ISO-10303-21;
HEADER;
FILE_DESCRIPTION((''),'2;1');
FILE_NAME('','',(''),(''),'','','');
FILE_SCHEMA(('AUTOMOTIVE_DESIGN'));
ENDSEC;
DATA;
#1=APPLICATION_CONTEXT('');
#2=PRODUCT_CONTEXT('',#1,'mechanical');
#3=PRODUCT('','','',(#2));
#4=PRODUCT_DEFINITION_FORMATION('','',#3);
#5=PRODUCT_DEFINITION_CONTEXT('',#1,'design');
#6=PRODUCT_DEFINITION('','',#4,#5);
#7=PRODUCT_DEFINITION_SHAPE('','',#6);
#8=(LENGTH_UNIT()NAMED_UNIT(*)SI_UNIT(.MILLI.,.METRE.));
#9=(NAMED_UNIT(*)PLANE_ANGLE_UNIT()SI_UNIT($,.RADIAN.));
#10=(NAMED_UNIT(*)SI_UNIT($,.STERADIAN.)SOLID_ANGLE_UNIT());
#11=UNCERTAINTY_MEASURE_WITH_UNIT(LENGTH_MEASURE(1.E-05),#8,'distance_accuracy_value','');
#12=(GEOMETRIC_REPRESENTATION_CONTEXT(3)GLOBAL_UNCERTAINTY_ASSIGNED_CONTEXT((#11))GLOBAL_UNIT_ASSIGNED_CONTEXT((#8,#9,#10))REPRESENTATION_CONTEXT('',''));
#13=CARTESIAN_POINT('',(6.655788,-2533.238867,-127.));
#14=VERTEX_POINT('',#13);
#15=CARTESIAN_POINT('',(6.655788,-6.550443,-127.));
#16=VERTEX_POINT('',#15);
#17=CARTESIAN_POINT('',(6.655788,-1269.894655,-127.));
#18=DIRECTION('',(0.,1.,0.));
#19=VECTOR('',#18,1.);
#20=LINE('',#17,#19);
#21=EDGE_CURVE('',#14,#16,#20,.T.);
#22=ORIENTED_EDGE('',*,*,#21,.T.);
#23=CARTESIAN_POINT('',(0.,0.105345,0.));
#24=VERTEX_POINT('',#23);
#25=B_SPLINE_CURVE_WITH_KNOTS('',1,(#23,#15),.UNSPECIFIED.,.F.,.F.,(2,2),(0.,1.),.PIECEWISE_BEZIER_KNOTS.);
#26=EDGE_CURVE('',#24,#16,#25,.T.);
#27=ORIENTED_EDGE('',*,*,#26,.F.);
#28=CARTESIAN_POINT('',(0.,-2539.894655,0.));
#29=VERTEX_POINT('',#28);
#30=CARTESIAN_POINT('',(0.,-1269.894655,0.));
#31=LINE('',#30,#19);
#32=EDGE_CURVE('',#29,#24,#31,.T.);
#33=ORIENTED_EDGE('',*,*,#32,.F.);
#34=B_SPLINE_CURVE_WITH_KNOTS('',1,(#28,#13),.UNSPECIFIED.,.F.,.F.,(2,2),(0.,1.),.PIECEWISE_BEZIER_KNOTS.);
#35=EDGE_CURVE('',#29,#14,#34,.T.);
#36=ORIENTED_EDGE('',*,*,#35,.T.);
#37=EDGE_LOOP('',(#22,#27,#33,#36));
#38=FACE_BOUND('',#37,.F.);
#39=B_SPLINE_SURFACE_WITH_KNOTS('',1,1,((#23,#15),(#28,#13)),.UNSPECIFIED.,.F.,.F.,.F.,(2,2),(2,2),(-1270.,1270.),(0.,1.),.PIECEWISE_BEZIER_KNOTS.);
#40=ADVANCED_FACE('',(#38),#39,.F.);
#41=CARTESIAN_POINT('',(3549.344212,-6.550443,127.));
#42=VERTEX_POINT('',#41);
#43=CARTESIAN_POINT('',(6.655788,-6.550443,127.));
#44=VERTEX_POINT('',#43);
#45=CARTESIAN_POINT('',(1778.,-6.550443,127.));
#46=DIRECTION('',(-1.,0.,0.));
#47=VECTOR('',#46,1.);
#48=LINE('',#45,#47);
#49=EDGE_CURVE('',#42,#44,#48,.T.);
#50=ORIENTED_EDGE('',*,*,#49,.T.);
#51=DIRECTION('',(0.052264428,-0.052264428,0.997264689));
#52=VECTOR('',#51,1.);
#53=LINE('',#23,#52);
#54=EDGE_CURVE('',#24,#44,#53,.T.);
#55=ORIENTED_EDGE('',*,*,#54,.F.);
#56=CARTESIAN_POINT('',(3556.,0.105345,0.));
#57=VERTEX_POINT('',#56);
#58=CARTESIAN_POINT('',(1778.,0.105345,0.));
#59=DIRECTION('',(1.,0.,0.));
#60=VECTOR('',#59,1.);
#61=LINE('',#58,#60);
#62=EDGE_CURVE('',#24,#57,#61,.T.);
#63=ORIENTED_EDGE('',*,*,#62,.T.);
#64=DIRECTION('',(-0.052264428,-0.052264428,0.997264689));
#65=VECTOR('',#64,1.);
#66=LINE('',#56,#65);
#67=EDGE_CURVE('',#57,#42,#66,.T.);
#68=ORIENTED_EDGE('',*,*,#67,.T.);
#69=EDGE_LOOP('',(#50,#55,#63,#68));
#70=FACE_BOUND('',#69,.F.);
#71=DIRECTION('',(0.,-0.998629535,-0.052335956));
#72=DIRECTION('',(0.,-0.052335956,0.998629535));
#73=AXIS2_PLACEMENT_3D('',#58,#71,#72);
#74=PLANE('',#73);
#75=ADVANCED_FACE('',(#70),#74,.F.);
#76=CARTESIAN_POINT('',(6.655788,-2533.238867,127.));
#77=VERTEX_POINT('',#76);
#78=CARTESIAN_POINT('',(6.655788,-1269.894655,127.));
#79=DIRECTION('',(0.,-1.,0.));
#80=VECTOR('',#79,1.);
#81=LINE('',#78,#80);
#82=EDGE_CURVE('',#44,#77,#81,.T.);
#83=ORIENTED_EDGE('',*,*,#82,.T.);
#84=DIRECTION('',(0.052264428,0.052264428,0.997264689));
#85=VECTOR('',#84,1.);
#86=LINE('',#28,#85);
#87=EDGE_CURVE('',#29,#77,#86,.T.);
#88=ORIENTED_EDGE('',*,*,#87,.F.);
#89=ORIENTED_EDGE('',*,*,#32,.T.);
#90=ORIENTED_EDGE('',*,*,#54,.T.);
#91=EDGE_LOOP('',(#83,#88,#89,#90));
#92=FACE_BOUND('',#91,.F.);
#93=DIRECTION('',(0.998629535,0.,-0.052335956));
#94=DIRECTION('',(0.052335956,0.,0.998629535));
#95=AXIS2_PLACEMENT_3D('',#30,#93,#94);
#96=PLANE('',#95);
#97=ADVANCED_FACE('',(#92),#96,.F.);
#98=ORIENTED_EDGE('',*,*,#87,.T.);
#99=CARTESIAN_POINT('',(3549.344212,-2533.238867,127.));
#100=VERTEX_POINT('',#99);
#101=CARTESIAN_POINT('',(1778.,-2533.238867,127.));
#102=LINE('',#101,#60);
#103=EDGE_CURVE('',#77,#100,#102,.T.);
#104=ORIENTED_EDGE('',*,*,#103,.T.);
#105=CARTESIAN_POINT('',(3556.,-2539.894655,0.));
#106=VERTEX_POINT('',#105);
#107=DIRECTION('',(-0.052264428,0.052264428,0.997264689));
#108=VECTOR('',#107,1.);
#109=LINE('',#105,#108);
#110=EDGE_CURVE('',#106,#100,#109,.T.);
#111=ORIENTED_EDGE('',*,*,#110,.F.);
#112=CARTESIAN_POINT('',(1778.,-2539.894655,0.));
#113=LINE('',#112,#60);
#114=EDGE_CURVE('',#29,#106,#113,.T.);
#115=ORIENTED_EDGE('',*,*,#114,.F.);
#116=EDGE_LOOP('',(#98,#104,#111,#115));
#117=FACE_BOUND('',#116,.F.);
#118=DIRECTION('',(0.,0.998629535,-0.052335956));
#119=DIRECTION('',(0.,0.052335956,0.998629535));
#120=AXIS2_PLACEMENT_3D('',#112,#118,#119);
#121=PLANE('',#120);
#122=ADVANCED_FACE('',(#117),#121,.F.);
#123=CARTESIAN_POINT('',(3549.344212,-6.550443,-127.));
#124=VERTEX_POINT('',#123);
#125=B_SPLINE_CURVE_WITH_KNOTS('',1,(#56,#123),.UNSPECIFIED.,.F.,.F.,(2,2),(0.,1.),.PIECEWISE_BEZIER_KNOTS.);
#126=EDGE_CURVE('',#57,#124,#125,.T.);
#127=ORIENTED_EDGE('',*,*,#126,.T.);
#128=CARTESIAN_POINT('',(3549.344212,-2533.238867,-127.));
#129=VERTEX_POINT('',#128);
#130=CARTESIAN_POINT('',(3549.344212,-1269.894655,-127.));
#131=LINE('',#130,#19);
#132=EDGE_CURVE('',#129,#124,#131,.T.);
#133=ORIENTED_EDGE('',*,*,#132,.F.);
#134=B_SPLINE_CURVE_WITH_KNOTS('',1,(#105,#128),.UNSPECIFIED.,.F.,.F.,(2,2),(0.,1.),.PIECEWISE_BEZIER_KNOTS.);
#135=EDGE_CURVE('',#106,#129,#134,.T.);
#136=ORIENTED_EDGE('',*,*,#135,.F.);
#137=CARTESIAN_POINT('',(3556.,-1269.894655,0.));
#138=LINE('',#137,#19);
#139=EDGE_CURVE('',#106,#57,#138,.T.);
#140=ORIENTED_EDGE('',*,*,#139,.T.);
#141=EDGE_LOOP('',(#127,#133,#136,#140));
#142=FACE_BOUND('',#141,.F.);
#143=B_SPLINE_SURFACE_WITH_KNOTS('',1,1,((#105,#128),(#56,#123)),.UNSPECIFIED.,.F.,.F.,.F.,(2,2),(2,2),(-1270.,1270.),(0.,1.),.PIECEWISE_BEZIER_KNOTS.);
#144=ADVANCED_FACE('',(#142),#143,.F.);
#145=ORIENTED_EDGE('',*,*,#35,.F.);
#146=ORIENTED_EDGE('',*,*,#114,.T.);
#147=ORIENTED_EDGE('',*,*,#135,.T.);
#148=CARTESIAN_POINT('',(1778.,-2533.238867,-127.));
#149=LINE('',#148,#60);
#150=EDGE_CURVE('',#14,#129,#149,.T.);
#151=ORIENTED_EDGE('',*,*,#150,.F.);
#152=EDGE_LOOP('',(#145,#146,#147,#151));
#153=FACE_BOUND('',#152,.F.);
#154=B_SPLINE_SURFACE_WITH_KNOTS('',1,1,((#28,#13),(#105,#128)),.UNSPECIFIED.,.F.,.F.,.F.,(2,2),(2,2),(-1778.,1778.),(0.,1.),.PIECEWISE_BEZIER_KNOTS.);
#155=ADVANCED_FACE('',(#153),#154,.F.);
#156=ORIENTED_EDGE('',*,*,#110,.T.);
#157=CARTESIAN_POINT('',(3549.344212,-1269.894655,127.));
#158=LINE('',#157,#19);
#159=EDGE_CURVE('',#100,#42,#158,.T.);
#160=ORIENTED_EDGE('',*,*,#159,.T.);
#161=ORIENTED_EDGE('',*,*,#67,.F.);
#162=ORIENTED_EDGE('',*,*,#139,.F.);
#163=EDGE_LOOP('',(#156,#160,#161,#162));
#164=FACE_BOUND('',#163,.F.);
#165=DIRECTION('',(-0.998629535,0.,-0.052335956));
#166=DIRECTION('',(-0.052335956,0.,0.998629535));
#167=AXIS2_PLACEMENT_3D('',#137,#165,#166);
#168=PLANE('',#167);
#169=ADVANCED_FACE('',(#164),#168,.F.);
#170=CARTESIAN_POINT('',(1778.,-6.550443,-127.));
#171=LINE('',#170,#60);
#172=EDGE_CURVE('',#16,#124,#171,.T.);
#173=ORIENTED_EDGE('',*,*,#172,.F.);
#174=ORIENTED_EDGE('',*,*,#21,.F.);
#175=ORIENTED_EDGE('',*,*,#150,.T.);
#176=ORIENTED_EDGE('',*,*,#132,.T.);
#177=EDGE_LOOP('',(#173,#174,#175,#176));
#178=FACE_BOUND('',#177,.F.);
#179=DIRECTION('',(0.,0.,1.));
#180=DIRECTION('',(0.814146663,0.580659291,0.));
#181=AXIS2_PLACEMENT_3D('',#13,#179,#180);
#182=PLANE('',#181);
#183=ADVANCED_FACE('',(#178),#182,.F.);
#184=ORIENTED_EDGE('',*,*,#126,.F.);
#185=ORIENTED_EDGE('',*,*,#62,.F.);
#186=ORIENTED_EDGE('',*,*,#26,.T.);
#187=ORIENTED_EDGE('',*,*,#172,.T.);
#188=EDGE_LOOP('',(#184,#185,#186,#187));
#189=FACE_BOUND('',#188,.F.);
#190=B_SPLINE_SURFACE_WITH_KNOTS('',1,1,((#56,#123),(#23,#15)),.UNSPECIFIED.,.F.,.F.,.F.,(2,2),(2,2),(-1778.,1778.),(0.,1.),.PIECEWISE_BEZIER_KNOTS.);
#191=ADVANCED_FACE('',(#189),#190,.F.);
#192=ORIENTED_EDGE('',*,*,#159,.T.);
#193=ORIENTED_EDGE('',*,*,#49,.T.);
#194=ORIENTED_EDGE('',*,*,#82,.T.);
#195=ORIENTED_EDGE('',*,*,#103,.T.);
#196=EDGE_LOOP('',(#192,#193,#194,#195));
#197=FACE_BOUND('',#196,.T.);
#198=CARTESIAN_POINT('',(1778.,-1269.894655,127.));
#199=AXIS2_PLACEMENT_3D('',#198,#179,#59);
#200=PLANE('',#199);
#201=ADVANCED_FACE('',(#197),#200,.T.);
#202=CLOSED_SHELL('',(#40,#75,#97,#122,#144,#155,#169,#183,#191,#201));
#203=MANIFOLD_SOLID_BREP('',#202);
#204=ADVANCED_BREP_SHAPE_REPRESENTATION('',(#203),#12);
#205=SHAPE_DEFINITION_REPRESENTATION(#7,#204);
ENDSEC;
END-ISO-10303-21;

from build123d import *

# Parameters (mm, degrees)
F0_W     = 3556
F0_H     = 2540
F1_DEPTH = 127
F1_TAPER = 3


with BuildPart() as f1:
    # F0 (on Top) → F1 (new body, symmetric)
    with BuildSketch(Plane.XY):
        with Locations((1778, -1269.8946553169)):
            Rectangle(F0_W, F0_H)
    extrude(amount=F1_DEPTH, both=True, taper=F1_TAPER)


solid = f1.part
